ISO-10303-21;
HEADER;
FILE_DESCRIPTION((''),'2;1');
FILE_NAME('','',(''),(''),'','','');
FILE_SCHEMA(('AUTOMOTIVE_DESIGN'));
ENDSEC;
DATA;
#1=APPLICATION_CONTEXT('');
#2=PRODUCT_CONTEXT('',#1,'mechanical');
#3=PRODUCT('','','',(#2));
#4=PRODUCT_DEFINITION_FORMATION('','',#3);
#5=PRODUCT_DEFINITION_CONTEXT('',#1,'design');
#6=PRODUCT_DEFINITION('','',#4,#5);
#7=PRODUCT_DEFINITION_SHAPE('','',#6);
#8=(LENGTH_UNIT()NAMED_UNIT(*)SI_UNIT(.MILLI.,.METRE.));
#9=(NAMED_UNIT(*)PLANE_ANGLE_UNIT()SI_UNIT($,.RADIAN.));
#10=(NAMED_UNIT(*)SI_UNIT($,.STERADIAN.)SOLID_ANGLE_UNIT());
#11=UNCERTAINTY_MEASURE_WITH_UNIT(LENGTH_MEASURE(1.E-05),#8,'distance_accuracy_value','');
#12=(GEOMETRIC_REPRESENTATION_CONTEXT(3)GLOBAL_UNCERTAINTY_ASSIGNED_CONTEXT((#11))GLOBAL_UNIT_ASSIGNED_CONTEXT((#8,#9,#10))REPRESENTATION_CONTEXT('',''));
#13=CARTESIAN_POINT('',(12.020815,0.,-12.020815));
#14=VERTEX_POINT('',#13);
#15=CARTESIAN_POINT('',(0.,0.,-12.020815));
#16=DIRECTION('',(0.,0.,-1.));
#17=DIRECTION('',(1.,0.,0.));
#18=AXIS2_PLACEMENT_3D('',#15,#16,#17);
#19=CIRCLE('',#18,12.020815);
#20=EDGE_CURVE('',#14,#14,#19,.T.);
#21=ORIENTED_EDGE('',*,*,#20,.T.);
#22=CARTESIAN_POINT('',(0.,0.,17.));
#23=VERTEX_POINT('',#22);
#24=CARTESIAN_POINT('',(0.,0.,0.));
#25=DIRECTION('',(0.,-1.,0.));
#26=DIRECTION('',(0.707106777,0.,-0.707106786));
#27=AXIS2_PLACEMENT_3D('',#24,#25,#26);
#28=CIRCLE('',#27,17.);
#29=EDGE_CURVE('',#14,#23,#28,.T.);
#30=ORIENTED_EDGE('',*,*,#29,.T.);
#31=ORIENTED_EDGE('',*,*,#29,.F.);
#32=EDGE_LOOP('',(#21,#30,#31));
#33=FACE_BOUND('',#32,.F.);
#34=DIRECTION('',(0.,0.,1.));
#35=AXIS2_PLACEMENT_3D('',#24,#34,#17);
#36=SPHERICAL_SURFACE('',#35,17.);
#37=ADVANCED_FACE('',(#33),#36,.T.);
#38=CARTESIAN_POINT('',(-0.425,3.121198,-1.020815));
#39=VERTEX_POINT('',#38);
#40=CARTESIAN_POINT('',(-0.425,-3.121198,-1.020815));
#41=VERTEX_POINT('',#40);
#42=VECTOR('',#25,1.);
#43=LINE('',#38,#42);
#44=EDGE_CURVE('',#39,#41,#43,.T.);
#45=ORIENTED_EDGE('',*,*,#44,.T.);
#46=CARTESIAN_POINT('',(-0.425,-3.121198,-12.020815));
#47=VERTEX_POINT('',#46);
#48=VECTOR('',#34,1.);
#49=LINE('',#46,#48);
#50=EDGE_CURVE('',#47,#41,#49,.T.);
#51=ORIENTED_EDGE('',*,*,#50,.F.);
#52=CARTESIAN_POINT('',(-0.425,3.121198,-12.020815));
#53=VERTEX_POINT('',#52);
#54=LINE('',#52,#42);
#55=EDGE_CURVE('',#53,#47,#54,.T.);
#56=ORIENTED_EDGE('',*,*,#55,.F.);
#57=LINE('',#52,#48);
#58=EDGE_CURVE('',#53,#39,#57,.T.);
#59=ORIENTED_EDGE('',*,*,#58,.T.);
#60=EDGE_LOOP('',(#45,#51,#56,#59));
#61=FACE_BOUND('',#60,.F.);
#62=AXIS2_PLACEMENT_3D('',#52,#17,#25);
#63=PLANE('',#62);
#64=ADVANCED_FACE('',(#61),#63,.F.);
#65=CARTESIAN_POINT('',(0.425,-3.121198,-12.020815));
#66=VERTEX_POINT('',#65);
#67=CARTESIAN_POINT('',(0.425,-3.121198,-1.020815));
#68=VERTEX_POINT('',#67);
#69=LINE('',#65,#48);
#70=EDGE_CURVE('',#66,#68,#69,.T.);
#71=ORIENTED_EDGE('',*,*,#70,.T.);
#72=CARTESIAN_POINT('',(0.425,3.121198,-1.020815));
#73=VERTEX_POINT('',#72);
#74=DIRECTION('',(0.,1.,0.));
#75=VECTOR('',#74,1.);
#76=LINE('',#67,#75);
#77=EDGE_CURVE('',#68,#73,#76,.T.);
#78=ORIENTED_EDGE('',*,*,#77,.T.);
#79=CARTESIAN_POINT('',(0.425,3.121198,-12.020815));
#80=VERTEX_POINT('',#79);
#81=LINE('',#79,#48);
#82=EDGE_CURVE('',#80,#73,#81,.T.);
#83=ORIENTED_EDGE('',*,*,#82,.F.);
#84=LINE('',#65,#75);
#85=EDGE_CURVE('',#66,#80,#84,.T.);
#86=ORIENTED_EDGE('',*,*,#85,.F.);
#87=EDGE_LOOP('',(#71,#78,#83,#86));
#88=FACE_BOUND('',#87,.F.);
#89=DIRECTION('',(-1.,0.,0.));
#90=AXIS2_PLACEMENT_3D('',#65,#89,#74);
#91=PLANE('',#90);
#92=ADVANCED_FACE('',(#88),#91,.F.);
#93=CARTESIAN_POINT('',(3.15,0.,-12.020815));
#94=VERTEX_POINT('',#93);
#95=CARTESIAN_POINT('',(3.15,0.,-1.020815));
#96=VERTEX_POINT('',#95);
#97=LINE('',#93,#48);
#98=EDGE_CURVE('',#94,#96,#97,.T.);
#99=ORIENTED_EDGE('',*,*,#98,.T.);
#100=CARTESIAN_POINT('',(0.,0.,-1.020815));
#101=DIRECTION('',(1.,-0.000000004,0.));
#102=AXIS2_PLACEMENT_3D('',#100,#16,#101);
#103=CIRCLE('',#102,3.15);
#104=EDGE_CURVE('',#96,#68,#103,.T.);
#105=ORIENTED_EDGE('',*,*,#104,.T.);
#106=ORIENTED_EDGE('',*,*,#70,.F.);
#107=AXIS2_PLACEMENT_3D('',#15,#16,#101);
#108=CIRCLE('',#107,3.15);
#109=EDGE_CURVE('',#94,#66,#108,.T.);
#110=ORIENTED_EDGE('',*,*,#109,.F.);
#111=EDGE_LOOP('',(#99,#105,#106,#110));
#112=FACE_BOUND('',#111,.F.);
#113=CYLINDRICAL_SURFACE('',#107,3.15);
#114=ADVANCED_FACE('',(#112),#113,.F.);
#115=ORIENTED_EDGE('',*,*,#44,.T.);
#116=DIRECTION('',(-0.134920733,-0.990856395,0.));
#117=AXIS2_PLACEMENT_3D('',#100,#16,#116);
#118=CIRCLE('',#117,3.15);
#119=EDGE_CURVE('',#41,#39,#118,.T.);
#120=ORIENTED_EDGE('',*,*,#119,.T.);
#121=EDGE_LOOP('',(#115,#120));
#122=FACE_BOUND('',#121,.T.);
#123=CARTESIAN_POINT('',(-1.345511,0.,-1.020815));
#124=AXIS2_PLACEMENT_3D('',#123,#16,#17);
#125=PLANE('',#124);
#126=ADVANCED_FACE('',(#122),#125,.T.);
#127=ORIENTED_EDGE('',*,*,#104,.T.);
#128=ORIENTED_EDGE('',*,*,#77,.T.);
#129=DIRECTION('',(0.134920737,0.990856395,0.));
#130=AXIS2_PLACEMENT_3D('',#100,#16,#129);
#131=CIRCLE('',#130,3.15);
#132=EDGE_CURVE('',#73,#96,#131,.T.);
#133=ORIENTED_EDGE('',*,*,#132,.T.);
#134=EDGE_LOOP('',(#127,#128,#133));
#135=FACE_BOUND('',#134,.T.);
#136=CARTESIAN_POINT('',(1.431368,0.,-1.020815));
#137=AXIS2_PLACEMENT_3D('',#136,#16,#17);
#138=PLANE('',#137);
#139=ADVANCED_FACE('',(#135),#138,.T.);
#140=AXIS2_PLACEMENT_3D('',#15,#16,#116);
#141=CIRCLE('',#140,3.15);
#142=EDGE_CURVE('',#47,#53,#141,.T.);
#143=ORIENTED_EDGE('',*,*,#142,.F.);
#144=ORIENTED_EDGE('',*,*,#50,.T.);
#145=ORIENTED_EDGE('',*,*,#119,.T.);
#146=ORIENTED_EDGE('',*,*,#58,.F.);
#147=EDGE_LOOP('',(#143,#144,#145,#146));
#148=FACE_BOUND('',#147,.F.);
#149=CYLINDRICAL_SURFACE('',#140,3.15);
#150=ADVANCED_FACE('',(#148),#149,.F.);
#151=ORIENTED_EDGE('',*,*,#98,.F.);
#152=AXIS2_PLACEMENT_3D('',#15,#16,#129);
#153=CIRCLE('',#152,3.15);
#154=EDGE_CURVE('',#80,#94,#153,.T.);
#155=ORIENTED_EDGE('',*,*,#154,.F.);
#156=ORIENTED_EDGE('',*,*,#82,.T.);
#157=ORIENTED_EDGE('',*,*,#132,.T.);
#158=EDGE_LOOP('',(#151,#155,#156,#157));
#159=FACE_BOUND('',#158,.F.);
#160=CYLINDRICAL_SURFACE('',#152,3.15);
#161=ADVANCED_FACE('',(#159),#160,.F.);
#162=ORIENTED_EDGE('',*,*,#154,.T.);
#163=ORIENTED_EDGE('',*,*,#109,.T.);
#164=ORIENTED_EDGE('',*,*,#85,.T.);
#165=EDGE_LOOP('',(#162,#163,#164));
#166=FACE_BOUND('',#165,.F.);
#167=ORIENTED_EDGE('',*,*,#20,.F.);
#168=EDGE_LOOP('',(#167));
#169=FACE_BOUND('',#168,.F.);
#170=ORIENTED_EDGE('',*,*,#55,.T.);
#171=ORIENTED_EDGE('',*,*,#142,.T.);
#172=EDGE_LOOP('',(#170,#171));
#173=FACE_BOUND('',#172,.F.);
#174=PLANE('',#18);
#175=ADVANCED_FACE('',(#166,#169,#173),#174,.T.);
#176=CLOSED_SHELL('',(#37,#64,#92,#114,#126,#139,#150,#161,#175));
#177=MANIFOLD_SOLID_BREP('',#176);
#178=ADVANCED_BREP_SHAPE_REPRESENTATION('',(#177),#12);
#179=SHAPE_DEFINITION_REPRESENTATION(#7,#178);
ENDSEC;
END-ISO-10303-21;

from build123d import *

# Parameters (mm, degrees)
F3_DEPTH = 11


with BuildPart() as f1:
    # F0 (on Front) → F1 (revolve)
    with BuildSketch(Plane.XZ):
        with BuildLine():
            ThreePointArc((12.020815, -12.020815), (15.705952, 6.505618), (0, 17))
            Line((0, 17), (0, -12.020815))
            Line((0, -12.020815), (12.020815, -12.020815))
        make_face()
    revolve(axis=Axis((0, 0, 0), (0, 0, -1)))

    # F2 (on face) → F3 (cut)
    with BuildSketch(Plane(origin=(0, 0, -12.020815), x_dir=(1, 0, 0), z_dir=(0, 0, -1))):
        with BuildLine():
            Line((-0.425, -3.121198), (-0.425, 3.121198))
            ThreePointArc((-0.425, 3.121198), (-3.15, 0), (-0.425, -3.121198))
        make_face()
        with BuildLine():
            ThreePointArc((0.425, -3.121198), (2.372894, -2.071684), (3.15, 0))
            ThreePointArc((3.15, 0), (2.372894, 2.071684), (0.425, 3.121198))
            Line((0.425, 3.121198), (0.425, -3.121198))
        make_face()
    extrude(amount=-F3_DEPTH, mode=Mode.SUBTRACT)


solid = f1.part
